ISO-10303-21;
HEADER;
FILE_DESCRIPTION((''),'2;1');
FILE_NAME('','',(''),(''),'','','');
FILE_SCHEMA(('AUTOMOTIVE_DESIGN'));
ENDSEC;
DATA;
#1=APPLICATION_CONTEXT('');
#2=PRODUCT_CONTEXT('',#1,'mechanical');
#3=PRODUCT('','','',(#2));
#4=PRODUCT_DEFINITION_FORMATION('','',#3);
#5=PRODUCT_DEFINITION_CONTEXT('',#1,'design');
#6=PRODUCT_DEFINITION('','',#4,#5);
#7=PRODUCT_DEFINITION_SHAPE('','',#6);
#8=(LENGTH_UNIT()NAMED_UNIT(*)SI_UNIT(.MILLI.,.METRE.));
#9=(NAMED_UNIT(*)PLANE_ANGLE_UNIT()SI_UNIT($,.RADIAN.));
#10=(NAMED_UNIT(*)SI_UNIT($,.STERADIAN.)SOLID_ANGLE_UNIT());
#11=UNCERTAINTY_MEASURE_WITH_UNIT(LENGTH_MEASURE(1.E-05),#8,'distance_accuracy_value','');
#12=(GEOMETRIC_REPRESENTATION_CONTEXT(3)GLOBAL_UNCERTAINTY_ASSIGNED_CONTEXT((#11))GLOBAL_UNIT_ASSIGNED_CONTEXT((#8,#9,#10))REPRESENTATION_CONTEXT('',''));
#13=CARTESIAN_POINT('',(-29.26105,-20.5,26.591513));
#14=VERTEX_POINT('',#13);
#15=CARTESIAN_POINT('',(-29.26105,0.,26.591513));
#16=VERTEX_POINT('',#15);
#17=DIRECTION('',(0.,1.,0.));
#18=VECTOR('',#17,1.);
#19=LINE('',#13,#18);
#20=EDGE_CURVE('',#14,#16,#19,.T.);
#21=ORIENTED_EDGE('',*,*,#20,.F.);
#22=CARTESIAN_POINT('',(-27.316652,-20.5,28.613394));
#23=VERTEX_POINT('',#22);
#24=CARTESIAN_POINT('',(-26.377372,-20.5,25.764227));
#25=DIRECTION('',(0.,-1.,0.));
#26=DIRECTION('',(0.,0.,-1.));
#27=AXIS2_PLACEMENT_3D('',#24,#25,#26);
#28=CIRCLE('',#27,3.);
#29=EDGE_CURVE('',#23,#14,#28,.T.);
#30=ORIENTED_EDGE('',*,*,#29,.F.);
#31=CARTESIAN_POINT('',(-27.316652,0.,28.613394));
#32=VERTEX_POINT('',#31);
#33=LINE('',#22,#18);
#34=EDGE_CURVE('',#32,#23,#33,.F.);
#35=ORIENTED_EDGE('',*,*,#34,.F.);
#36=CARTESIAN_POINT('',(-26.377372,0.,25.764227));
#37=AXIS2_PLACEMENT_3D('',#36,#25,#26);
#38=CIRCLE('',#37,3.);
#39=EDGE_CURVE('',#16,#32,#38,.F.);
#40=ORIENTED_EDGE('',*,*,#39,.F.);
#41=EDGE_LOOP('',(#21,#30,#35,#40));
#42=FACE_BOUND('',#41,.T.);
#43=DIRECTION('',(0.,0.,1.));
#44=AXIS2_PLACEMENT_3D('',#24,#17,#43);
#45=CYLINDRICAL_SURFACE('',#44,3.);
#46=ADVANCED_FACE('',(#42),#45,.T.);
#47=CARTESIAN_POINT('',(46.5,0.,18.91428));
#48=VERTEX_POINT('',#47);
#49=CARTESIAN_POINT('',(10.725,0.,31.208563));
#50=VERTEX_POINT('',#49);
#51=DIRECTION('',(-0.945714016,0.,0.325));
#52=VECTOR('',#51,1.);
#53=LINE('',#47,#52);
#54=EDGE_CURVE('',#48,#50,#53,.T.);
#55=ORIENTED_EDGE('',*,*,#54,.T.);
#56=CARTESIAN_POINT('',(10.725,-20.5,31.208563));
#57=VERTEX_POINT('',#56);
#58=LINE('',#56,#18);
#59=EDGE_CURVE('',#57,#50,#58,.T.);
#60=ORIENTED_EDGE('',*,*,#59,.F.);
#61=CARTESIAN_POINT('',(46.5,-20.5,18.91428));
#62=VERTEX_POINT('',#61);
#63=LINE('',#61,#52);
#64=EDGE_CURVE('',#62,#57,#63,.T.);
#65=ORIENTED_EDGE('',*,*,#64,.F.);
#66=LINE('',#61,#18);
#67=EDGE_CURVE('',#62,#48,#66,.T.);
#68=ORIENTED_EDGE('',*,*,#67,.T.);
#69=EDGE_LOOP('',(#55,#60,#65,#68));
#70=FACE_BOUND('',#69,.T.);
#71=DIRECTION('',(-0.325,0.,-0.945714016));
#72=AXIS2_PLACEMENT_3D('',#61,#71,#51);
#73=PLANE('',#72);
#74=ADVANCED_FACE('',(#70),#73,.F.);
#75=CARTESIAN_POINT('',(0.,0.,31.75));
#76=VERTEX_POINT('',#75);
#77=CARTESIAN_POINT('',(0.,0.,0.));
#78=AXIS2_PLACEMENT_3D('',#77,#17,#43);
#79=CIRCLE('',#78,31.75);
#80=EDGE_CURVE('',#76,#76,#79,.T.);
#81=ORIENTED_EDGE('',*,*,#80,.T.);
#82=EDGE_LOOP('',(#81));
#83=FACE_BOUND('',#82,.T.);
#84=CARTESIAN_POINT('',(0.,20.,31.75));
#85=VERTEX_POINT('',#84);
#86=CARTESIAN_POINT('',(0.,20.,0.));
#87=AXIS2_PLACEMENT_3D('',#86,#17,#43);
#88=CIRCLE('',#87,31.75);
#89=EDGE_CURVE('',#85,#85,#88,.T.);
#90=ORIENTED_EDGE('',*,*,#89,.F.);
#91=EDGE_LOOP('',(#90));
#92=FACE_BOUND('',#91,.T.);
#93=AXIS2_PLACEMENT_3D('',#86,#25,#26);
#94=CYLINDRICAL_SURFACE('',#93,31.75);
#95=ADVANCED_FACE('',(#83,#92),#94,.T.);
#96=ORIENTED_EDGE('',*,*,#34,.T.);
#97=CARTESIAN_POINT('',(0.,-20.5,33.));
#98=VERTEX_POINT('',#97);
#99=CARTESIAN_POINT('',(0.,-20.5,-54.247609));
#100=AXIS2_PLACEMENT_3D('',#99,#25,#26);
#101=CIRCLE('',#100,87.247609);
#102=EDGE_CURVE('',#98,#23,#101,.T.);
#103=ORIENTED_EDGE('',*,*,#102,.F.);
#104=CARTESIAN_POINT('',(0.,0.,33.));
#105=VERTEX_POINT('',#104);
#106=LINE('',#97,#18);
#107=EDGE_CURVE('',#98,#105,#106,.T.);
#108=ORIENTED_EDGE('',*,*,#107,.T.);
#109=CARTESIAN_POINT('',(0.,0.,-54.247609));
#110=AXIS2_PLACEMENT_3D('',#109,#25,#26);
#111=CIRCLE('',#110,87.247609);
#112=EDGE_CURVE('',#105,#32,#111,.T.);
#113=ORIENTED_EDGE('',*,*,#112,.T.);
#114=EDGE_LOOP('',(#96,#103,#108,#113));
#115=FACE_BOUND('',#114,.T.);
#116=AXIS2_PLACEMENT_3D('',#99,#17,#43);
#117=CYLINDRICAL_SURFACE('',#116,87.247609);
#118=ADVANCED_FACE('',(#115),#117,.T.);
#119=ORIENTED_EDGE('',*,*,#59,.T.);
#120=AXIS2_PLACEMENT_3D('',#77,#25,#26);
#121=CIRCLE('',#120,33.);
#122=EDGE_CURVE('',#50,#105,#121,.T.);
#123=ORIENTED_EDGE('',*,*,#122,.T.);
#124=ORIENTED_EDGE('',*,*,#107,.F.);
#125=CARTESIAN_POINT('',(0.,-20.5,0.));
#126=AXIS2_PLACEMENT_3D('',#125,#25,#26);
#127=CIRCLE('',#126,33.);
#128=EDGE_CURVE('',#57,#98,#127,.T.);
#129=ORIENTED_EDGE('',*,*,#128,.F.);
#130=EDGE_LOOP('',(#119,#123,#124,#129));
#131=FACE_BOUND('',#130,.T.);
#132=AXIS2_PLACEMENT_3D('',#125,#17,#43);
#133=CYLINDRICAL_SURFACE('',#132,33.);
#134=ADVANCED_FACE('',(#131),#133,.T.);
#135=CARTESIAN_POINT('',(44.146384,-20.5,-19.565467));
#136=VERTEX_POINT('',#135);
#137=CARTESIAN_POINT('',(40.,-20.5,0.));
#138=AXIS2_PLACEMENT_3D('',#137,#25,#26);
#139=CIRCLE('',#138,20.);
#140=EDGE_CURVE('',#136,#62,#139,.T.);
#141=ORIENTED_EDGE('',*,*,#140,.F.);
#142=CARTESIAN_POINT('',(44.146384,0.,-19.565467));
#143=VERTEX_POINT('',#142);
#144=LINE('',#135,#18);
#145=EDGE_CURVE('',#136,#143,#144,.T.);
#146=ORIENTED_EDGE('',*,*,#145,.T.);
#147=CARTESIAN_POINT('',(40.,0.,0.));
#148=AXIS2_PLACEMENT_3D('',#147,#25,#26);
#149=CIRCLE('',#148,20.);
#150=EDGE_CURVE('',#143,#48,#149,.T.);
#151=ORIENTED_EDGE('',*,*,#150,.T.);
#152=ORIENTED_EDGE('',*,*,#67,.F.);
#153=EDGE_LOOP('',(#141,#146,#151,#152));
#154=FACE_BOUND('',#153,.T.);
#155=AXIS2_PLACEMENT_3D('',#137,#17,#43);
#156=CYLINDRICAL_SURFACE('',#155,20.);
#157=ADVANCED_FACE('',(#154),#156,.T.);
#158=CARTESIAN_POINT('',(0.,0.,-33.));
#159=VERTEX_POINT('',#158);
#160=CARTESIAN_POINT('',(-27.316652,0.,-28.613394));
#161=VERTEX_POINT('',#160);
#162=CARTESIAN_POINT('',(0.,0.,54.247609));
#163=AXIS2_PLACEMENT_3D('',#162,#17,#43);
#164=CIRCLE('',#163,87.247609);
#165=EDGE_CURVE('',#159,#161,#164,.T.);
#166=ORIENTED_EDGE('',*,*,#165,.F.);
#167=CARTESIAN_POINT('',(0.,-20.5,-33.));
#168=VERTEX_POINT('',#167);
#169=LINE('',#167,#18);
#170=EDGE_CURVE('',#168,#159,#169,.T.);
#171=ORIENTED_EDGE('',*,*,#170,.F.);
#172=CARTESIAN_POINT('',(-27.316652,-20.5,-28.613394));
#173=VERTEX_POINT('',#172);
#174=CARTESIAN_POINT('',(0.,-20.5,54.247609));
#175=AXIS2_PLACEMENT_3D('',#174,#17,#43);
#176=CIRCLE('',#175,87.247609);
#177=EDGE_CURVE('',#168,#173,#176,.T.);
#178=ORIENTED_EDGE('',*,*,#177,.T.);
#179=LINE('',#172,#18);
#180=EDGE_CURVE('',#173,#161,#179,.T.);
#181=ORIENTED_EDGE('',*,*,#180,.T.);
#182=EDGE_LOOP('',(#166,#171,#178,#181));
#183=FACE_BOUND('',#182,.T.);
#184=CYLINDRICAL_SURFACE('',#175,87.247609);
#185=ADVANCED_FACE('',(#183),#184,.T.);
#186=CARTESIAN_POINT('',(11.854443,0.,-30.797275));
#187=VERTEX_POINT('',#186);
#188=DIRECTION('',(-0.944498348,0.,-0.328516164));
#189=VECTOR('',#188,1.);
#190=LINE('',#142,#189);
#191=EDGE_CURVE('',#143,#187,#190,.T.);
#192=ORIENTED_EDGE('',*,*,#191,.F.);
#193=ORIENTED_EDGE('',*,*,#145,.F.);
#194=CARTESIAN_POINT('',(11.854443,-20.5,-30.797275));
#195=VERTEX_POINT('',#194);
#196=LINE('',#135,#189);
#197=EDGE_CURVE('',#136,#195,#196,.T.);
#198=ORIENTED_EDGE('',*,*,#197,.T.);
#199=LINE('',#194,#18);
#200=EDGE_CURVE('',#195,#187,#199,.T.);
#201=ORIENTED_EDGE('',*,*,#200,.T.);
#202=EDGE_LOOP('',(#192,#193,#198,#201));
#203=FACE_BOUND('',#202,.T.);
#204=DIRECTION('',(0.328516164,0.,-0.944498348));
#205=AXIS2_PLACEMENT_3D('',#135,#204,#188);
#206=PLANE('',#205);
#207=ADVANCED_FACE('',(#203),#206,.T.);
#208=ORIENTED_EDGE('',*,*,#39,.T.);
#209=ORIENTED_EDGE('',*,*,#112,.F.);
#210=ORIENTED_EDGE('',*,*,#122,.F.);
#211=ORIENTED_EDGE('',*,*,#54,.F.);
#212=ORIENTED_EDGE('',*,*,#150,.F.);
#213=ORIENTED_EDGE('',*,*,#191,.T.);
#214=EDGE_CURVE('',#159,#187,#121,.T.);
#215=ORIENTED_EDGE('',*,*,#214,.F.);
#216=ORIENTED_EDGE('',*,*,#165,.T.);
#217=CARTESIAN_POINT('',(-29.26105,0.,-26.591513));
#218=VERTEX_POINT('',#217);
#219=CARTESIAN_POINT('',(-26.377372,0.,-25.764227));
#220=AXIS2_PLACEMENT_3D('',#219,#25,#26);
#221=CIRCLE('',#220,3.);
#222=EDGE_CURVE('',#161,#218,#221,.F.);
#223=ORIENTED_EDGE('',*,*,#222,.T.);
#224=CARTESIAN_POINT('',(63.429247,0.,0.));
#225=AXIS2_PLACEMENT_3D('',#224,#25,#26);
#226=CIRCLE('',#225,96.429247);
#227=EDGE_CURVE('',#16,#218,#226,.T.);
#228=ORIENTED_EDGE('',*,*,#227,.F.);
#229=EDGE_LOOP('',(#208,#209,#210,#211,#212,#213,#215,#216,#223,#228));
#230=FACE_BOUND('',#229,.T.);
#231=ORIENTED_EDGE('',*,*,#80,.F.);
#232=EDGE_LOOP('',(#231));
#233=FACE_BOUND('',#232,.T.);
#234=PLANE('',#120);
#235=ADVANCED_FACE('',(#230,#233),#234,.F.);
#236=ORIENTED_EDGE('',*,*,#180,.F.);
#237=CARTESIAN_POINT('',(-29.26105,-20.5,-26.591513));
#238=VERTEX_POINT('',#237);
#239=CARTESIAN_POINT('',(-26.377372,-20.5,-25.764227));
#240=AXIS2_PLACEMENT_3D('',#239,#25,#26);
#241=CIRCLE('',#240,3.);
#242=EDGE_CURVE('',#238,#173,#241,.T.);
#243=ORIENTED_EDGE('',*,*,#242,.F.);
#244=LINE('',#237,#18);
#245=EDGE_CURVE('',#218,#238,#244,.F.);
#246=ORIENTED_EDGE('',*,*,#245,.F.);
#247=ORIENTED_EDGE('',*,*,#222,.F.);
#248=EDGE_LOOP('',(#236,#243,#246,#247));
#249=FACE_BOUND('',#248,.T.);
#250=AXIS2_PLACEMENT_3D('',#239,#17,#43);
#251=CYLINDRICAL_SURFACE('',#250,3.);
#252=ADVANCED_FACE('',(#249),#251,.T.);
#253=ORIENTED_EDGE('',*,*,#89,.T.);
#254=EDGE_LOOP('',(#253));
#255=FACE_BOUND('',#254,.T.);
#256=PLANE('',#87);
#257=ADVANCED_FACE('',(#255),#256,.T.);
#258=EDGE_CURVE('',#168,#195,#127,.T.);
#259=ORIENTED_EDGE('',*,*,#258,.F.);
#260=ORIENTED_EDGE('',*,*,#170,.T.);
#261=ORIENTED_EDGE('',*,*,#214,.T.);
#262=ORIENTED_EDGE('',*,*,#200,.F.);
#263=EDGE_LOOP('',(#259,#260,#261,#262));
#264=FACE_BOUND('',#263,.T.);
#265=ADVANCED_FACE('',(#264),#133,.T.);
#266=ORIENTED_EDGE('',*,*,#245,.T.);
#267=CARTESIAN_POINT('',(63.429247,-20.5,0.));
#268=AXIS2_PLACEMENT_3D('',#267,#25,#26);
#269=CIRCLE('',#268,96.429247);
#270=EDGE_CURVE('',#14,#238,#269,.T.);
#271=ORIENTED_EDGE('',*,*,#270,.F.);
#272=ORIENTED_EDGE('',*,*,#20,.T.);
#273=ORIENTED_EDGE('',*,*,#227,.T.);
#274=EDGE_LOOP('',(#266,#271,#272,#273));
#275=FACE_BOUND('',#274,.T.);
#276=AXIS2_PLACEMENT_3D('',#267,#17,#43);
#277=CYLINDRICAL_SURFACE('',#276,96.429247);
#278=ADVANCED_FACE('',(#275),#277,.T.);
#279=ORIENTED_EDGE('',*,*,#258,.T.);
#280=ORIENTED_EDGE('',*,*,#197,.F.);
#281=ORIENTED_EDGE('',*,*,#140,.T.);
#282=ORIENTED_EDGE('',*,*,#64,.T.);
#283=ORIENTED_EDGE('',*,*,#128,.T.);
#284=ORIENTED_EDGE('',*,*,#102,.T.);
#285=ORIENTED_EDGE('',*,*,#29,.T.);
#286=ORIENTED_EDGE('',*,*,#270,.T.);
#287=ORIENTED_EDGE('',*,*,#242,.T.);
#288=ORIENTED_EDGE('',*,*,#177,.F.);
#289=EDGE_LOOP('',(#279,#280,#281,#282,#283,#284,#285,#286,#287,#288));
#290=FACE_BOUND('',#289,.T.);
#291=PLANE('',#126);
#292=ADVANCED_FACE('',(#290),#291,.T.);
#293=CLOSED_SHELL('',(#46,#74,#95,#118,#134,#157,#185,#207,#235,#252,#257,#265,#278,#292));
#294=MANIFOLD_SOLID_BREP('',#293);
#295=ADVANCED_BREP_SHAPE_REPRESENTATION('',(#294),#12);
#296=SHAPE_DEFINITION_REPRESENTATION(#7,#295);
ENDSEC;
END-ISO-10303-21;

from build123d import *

# Parameters (mm, degrees)
SKETCH_1_R      = 31.75
EXTRUDE_2_DEPTH = 20
EXTRUDE_5_DEPTH = 20.5
FILLET_1_R      = 3


with BuildPart() as part:
    # 草图1 → 凸台-拉伸2 (new body)
    with BuildSketch(Plane(origin=(0, 0, 0), x_dir=(1, 0, 0), z_dir=(0, 1, 0))):
        with Locations(Location((0, 0, 0), (0, 0, 270))):
            Circle(SKETCH_1_R)
    extrude(amount=EXTRUDE_2_DEPTH)

    # 草图3 → 凸台-拉伸5 (add)
    with BuildSketch(Plane.XZ):
        with BuildLine():
            Line((46.5, 18.914280319), (10.725, 31.208562527))
            ThreePointArc((10.725, 31.208562527), (5.436793017, 32.549059613), (0, 33))
            ThreePointArc((0, 33), (-14.61315827, 31.767511075), (-28.813455811, 28.1048654))
            ThreePointArc((-28.813455811, 28.1048654), (-33, 0), (-28.813455811, -28.1048654))
            ThreePointArc((-28.813455811, -28.1048654), (-14.61315827, -31.767511075), (0, -33))
            ThreePointArc((0, -33), (6.028677808, -32.444645843), (11.854443416, -30.797275387))
            Line((11.854443416, -30.797275387), (44.146384059, -19.565467008))
            ThreePointArc((44.146384059, -19.565467008), (59.962693004, -1.221019257), (46.5, 18.914280319))
        make_face()
    extrude(amount=EXTRUDE_5_DEPTH)

    # 圆角1
    fillet_1_edges = [part.edges().sort_by_distance(p)[0] for p in [
        (-28.813455811, -10.25, 28.1048654),
        (-28.813455811, -10.25, -28.1048654),
    ]]
    fillet(fillet_1_edges, radius=FILLET_1_R)


solid = part.part
